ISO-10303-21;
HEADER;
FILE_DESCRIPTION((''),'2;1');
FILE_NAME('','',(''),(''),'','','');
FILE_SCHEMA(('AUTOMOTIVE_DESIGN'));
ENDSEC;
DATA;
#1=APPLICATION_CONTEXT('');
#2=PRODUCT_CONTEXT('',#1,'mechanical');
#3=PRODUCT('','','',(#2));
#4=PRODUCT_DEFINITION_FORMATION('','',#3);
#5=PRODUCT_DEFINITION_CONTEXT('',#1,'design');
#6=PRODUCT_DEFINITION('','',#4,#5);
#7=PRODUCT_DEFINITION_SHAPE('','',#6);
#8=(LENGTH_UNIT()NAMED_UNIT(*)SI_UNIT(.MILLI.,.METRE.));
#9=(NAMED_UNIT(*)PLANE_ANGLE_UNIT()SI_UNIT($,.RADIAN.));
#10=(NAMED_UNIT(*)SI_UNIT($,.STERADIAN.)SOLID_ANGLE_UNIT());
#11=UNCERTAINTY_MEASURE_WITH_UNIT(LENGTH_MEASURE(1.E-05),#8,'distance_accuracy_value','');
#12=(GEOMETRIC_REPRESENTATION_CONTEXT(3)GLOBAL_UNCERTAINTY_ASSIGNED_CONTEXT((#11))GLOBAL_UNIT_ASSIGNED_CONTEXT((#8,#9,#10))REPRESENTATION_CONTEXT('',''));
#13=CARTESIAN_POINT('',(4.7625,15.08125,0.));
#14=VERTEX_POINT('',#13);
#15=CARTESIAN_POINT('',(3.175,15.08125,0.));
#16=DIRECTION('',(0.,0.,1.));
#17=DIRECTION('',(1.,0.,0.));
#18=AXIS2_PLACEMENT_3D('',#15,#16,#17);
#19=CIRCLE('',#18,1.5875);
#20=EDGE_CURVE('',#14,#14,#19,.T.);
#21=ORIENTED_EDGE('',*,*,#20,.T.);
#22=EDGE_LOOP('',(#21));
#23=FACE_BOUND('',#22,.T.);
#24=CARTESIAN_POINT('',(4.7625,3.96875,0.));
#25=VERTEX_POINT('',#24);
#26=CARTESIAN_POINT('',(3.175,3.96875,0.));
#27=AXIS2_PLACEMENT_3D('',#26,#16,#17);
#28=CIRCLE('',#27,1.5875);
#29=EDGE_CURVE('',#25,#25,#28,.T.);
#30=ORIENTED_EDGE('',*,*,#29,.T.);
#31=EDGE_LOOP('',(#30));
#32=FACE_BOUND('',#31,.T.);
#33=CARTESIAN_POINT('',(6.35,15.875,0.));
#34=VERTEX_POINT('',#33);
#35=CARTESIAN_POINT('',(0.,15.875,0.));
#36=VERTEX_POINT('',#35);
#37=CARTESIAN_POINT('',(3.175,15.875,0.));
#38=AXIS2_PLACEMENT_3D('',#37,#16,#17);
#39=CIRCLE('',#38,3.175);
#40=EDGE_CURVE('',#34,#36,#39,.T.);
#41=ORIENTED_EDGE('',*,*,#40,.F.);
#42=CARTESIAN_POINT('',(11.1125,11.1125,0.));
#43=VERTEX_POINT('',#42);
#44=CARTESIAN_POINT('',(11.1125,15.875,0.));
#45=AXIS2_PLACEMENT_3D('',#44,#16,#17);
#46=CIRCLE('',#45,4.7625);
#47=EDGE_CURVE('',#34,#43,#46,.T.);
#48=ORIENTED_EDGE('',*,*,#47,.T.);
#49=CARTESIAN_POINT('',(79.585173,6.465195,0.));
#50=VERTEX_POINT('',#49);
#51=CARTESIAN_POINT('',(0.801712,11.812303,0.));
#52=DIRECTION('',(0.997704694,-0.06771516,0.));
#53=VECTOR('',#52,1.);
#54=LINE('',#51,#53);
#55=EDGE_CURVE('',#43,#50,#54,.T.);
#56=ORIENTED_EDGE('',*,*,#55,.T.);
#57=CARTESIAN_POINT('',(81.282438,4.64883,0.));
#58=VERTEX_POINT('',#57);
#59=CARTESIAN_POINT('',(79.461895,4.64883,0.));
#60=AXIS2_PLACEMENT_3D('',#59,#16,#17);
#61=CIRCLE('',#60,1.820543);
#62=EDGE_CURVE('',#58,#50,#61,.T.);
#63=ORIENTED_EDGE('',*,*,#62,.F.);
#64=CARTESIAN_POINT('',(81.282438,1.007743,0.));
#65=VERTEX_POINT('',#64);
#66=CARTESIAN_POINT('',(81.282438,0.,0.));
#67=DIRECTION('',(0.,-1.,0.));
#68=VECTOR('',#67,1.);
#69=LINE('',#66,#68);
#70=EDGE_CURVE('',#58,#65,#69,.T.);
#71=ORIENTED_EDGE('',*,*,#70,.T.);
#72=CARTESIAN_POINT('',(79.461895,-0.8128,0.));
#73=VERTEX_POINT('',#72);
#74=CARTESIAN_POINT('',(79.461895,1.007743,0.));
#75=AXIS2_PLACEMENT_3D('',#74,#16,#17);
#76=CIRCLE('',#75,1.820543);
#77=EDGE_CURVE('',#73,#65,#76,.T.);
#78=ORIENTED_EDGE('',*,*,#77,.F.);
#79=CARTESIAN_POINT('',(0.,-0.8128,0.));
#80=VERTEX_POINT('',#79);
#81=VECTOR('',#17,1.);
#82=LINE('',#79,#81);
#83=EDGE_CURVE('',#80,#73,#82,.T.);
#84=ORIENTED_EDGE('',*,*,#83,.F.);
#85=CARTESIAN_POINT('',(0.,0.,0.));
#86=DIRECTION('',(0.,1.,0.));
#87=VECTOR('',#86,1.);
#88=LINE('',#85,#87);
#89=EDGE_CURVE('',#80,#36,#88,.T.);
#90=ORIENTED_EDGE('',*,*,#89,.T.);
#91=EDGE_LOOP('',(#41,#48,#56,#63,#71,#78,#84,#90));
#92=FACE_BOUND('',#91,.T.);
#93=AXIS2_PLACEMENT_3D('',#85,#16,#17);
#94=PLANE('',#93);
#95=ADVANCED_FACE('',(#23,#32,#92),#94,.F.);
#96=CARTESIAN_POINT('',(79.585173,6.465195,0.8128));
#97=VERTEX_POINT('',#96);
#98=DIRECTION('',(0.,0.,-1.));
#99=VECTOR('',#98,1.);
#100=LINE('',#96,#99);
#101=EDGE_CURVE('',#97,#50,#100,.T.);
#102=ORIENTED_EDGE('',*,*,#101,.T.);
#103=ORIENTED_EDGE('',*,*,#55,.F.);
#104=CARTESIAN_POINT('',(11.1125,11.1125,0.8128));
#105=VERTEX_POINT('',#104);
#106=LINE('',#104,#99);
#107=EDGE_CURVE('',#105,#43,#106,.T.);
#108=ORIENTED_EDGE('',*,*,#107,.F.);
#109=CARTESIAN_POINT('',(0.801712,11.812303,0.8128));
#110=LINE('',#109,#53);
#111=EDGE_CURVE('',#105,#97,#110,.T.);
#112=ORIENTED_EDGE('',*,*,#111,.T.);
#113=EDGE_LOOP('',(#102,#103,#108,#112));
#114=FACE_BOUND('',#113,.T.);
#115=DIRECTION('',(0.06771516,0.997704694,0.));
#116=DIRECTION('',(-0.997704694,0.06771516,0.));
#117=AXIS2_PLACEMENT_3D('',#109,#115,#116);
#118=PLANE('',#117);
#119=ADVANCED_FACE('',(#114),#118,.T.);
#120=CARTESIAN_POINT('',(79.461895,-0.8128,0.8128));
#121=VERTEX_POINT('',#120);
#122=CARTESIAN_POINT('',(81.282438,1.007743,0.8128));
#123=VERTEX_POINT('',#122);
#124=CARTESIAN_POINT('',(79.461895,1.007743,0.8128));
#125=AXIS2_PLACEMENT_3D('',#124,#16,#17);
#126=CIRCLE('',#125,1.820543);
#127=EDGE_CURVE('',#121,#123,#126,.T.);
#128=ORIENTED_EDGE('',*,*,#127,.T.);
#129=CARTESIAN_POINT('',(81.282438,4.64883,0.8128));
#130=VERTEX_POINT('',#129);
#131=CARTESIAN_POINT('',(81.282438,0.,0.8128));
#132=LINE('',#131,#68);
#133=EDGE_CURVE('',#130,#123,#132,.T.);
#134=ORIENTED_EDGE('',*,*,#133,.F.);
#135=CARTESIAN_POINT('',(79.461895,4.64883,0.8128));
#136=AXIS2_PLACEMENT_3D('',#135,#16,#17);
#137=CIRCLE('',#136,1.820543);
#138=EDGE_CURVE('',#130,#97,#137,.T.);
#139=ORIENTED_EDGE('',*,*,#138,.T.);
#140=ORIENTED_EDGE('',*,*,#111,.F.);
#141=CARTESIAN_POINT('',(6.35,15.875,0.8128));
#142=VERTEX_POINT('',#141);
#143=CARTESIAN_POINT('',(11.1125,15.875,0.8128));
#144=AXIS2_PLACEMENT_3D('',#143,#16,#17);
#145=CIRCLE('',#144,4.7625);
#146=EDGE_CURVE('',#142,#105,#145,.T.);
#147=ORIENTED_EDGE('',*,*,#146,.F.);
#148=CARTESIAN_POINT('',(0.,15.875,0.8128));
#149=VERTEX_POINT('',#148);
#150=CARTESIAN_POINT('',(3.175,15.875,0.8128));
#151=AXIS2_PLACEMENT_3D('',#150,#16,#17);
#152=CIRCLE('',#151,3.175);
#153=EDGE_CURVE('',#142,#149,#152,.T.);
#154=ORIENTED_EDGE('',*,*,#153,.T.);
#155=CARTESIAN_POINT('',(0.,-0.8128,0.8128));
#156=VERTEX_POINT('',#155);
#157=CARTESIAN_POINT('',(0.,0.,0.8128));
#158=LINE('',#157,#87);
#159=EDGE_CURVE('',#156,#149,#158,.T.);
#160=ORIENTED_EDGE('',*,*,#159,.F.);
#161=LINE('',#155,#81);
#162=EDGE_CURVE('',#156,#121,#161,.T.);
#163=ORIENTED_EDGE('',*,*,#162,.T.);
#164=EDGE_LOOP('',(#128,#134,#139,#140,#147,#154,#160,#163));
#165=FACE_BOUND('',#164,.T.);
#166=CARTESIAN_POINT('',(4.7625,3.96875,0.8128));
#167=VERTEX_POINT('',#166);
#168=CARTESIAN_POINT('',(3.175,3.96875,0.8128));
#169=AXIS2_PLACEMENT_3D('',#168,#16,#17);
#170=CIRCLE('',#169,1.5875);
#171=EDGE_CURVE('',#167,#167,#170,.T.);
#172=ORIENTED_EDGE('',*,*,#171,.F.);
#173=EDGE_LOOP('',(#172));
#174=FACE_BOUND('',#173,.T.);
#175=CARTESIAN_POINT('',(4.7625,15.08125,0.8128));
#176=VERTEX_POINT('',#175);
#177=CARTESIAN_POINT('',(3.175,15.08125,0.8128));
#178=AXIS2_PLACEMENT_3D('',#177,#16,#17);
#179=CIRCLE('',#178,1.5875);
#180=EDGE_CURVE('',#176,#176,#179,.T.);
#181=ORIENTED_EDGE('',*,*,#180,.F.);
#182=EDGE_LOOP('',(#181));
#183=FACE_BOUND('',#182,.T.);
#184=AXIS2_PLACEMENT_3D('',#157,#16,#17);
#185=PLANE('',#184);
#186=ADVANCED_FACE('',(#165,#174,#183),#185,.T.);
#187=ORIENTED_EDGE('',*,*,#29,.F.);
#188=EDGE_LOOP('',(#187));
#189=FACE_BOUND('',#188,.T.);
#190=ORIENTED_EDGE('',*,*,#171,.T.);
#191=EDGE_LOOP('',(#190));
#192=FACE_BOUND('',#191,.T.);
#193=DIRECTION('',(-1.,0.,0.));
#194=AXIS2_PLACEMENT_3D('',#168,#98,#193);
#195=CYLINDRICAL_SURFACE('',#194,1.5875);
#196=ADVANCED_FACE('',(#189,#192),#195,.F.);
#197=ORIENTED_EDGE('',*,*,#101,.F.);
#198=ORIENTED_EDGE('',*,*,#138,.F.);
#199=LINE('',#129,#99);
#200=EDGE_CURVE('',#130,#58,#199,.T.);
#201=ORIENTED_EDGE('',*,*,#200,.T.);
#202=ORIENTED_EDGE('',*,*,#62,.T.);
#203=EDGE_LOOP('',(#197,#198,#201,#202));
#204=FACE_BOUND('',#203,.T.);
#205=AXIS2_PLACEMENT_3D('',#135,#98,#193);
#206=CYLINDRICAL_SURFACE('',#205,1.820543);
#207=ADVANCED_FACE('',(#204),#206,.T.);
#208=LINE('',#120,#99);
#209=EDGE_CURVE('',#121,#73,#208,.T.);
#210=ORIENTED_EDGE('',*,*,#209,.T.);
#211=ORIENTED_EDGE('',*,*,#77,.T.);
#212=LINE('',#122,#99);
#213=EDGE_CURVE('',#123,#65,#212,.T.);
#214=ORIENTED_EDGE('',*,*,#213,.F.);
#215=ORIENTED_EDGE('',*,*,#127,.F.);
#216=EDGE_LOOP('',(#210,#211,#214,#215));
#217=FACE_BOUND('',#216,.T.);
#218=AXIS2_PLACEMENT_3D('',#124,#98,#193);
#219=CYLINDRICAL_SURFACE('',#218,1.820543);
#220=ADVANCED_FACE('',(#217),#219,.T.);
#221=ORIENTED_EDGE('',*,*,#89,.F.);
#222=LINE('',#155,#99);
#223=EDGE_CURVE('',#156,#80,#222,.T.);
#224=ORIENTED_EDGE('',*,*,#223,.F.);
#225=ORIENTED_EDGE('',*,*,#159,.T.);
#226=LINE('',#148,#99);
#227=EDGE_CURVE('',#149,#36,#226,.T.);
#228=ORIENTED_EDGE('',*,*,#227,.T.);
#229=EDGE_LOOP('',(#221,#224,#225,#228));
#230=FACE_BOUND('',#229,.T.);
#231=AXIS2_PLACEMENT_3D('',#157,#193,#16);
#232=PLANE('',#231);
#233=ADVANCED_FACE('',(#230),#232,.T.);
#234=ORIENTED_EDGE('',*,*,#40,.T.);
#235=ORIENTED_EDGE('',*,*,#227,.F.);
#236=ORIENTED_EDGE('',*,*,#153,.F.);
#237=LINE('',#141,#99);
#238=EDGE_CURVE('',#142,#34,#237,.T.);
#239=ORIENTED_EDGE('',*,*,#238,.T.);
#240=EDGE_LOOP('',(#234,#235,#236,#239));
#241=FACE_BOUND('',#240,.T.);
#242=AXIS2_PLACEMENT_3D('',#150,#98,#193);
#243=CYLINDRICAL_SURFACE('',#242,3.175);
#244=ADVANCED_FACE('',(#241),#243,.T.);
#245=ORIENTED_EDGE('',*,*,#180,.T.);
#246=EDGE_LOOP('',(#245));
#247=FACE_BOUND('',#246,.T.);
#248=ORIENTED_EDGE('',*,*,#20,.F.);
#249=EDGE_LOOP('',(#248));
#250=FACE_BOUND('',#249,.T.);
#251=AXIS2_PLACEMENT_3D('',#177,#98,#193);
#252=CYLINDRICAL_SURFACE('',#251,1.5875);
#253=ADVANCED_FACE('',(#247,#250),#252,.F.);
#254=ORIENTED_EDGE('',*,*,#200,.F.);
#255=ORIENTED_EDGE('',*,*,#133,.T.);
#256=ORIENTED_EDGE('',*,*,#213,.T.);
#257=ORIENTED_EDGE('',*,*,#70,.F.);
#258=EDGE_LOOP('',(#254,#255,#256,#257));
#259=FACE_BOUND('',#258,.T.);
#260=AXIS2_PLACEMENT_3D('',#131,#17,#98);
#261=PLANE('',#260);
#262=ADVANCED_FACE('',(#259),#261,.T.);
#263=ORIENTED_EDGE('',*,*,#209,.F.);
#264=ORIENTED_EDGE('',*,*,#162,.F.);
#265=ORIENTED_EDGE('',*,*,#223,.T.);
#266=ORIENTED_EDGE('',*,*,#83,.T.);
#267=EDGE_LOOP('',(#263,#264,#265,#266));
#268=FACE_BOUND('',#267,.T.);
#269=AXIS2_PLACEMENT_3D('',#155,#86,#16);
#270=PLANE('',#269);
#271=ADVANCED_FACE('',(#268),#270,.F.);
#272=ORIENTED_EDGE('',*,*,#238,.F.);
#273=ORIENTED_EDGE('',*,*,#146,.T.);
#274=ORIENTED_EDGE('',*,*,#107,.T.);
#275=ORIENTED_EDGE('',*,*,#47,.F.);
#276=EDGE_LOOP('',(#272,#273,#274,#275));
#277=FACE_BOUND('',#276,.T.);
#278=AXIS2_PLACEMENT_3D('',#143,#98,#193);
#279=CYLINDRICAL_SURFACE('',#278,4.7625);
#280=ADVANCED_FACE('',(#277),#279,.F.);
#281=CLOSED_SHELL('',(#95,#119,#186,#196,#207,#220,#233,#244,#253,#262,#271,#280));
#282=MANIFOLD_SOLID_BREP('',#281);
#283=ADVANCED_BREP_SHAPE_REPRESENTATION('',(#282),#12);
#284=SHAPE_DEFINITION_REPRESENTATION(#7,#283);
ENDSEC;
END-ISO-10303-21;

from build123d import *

# Parameters (mm, degrees)
SKETCH1_R           = 1.5875
BOSS_EXTRUDE1_DEPTH = 0.8128


with BuildPart() as part:
    # Sketch1 → Boss-Extrude1 (new body)
    with BuildSketch(Plane.XY):
        with BuildLine():
            Line((0, -0.8128), (79.461894979, -0.8128))
            ThreePointArc((79.461894979, -0.8128), (80.749213577, -0.279575177), (81.2824384, 1.007743421))
            Line((81.2824384, 1.007743421), (81.2824384, 4.648830263))
            ThreePointArc((81.2824384, 4.648830263), (80.792085251, 5.891799366), (79.585173538, 6.465194969))
            Line((79.585173538, 6.465194969), (11.1125, 11.1125))
            ThreePointArc((11.1125, 11.1125), (7.744903955, 12.507403955), (6.35, 15.875))
            ThreePointArc((6.35, 15.875), (3.175, 19.05), (0, 15.875))
            Line((0, 15.875), (0, -0.8128))
        make_face()
        with Locations((3.175, 3.96875)):
            Circle(SKETCH1_R, mode=Mode.SUBTRACT)
        with Locations((3.175, 15.08125)):
            Circle(SKETCH1_R, mode=Mode.SUBTRACT)
    extrude(amount=BOSS_EXTRUDE1_DEPTH)


solid = part.part
